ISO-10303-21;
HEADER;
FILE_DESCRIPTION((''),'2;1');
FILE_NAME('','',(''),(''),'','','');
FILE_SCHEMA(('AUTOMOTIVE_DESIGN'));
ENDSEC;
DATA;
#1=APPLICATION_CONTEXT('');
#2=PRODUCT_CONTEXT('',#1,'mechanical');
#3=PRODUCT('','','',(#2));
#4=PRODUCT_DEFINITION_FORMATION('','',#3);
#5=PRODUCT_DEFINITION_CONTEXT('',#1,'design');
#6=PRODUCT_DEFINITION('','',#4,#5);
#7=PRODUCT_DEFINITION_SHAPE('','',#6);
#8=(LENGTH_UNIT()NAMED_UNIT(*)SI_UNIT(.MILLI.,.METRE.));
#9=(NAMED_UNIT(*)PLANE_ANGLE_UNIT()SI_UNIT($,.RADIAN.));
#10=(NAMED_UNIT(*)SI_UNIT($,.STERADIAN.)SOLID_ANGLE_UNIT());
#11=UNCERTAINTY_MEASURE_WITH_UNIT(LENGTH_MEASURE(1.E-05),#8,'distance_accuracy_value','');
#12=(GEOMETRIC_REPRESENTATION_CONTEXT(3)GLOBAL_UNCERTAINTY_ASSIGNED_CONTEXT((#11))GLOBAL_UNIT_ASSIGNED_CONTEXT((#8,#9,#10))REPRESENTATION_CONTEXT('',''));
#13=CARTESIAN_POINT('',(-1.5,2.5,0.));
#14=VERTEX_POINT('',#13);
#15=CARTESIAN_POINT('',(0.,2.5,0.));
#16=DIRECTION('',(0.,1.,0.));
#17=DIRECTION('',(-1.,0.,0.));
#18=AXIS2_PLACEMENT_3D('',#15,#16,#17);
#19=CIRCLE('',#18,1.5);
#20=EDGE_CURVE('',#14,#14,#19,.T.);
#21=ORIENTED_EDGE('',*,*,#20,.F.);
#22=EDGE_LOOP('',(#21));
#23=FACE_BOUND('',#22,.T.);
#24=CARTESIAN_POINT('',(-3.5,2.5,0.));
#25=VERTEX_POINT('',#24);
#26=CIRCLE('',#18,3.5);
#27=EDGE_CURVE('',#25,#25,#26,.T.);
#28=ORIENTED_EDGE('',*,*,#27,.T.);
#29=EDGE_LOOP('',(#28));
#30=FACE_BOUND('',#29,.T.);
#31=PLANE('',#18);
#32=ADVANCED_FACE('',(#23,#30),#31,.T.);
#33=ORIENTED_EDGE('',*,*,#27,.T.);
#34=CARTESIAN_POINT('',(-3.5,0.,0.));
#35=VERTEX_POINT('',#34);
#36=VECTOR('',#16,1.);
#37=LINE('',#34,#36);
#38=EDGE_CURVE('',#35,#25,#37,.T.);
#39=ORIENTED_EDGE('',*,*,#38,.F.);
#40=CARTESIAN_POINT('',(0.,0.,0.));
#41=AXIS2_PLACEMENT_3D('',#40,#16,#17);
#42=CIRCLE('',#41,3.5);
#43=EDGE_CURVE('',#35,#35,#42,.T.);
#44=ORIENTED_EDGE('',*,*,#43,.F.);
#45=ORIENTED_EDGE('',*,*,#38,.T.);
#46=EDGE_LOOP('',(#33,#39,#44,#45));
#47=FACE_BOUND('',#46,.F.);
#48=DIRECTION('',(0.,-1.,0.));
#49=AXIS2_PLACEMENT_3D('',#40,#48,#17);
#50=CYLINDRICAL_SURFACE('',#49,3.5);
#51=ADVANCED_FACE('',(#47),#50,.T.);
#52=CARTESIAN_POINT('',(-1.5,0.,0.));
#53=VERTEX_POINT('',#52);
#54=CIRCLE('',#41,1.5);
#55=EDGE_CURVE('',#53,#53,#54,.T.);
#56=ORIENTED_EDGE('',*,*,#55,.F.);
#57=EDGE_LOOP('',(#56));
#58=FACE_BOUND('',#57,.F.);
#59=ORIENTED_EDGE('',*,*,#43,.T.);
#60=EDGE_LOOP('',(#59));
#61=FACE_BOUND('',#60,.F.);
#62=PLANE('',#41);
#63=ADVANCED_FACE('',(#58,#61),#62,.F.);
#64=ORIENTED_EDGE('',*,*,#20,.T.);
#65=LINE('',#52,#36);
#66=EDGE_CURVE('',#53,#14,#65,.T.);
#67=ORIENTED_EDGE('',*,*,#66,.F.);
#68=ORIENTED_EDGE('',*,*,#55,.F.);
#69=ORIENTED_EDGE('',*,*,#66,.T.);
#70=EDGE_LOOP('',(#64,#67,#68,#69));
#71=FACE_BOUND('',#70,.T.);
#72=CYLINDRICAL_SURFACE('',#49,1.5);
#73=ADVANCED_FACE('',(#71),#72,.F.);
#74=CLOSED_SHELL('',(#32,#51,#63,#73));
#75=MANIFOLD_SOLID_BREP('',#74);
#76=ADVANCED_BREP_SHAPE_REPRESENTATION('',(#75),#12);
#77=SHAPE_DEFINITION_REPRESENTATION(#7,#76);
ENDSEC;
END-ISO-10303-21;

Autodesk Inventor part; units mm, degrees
ref_plane "YZ Plane" through (0, 0, 0) normal (1, 0, 0) x (0, 1, 0)
ref_plane "XZ Plane" through (0, 0, 0) normal (0, 1, 0) x (-1, 0, 0)
ref_plane "XY Plane" through (0, 0, 0) normal (0, 0, 1) x (1, 0, 0)
sketch "Sketch1" plane through (0, 0, 0) normal (0, 1, 0) x (-1, 0, 0)
  circle A0 centre (0, 0) radius 1.5
  circle A1 centre (0, 0) radius 3.5
  dimension "d0" = 3
  dimension "d1" = 7
extrude "Extrusion1" add sketch "Sketch1" along normal blind 2.5
properties part number "Podshipnik" material "Iron, Cast"
